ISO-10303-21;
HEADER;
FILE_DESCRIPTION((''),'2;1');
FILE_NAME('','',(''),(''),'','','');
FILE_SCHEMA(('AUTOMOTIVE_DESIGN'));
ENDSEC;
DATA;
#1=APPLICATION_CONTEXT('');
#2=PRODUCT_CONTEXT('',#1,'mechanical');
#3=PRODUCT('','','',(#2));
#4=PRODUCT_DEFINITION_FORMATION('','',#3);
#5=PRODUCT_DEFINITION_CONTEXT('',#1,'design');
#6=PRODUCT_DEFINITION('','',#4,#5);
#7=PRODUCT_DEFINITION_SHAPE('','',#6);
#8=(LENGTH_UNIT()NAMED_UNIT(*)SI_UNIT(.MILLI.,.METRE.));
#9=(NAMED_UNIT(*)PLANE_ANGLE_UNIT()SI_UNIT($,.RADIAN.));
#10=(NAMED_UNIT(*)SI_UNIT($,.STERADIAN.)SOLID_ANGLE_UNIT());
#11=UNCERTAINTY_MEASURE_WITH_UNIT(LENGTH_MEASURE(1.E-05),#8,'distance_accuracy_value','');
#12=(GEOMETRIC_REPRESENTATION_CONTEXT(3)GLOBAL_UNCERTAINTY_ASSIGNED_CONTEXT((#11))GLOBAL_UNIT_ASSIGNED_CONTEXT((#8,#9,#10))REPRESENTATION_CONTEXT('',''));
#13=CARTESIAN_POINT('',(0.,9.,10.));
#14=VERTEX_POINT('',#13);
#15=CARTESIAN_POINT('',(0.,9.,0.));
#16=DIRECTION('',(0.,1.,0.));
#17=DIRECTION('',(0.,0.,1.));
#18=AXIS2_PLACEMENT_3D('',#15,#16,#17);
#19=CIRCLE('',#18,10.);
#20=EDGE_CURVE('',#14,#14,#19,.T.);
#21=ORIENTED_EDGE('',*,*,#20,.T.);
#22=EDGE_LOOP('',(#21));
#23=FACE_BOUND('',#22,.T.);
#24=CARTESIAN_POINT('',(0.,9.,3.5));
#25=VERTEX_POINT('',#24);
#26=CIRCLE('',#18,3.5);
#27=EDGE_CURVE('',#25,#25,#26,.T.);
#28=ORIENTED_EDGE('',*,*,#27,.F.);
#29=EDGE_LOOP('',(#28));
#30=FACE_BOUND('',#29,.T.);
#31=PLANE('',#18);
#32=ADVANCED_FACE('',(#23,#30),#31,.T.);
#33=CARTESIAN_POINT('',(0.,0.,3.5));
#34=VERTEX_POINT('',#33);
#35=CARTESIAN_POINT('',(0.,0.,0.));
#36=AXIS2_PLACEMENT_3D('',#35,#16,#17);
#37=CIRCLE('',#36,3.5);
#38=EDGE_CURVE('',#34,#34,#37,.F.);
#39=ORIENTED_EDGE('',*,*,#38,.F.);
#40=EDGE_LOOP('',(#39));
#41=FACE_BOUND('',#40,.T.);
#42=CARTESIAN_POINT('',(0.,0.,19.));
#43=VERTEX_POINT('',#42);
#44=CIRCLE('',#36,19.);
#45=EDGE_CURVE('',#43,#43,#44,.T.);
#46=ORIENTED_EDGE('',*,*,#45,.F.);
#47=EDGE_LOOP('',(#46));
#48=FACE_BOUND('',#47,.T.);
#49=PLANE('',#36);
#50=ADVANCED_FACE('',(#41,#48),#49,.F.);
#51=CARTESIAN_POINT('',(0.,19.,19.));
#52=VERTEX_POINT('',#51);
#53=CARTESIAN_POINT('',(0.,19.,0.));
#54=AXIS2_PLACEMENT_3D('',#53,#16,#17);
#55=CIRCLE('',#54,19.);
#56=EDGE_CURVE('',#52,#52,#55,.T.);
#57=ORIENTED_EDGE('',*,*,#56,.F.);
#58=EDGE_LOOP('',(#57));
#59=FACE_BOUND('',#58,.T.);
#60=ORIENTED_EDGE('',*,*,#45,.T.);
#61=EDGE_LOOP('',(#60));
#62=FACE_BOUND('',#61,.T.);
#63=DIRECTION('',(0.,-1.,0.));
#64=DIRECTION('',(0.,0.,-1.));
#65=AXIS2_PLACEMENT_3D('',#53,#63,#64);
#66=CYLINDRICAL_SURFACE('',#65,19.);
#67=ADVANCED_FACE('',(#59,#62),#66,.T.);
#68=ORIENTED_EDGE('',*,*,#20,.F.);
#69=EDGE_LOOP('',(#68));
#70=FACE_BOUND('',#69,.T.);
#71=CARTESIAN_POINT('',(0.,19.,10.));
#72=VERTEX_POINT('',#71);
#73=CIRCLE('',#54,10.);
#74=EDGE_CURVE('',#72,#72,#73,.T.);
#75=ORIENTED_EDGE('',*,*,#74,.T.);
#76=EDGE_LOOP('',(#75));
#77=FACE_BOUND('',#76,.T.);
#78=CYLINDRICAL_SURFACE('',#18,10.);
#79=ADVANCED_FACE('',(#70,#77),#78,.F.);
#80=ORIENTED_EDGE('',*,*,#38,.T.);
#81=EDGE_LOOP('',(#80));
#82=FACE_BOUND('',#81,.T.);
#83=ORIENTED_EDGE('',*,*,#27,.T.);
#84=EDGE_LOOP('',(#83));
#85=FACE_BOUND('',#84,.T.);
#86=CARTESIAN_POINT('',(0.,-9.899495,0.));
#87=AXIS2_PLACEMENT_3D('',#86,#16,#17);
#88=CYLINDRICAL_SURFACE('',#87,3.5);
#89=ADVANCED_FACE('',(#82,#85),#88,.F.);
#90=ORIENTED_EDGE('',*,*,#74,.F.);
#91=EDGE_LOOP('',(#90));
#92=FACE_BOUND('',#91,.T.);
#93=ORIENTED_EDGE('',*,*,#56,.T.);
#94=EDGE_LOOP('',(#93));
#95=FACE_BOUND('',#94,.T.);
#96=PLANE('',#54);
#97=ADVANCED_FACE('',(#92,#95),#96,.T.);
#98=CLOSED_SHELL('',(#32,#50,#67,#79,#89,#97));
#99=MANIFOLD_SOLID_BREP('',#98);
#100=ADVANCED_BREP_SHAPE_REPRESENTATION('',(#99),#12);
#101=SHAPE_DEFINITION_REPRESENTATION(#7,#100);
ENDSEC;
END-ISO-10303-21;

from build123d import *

# Parameters (mm, degrees)
SKETCH1_R           = 19
BOSS_EXTRUDE1_DEPTH = 19
SKETCH2_R           = 10
CUT_EXTRUDE1_DEPTH  = 10
SKETCH3_R           = 3.5
CUT_EXTRUDE2_DEPTH  = 9


with BuildPart() as part:
    # Sketch1 → Boss-Extrude1 (new body)
    with BuildSketch(Plane(origin=(0, 0, 0), x_dir=(1, 0, 0), z_dir=(0, 1, 0))):
        with Locations(Location((0, 0, 0), (0, 0, 270))):
            Circle(SKETCH1_R)
    extrude(amount=BOSS_EXTRUDE1_DEPTH)

    # Sketch2 → Cut-Extrude1 (cut)
    with BuildSketch(Plane(origin=(0, 19, 0), x_dir=(1, 0, 0), z_dir=(0, 1, 0))):
        with Locations(Location((0, 0, 0), (0, 0, 270))):
            Circle(SKETCH2_R)
    extrude(amount=-CUT_EXTRUDE1_DEPTH, mode=Mode.SUBTRACT)

    # Sketch3 → Cut-Extrude2 (cut)
    with BuildSketch(Plane(origin=(0, 9, 0), x_dir=(1, 0, 0), z_dir=(0, 1, 0))):
        with Locations(Location((0, 0, 0), (0, 0, 270))):
            Circle(SKETCH3_R)
    extrude(amount=-CUT_EXTRUDE2_DEPTH, mode=Mode.SUBTRACT)


solid = part.part
